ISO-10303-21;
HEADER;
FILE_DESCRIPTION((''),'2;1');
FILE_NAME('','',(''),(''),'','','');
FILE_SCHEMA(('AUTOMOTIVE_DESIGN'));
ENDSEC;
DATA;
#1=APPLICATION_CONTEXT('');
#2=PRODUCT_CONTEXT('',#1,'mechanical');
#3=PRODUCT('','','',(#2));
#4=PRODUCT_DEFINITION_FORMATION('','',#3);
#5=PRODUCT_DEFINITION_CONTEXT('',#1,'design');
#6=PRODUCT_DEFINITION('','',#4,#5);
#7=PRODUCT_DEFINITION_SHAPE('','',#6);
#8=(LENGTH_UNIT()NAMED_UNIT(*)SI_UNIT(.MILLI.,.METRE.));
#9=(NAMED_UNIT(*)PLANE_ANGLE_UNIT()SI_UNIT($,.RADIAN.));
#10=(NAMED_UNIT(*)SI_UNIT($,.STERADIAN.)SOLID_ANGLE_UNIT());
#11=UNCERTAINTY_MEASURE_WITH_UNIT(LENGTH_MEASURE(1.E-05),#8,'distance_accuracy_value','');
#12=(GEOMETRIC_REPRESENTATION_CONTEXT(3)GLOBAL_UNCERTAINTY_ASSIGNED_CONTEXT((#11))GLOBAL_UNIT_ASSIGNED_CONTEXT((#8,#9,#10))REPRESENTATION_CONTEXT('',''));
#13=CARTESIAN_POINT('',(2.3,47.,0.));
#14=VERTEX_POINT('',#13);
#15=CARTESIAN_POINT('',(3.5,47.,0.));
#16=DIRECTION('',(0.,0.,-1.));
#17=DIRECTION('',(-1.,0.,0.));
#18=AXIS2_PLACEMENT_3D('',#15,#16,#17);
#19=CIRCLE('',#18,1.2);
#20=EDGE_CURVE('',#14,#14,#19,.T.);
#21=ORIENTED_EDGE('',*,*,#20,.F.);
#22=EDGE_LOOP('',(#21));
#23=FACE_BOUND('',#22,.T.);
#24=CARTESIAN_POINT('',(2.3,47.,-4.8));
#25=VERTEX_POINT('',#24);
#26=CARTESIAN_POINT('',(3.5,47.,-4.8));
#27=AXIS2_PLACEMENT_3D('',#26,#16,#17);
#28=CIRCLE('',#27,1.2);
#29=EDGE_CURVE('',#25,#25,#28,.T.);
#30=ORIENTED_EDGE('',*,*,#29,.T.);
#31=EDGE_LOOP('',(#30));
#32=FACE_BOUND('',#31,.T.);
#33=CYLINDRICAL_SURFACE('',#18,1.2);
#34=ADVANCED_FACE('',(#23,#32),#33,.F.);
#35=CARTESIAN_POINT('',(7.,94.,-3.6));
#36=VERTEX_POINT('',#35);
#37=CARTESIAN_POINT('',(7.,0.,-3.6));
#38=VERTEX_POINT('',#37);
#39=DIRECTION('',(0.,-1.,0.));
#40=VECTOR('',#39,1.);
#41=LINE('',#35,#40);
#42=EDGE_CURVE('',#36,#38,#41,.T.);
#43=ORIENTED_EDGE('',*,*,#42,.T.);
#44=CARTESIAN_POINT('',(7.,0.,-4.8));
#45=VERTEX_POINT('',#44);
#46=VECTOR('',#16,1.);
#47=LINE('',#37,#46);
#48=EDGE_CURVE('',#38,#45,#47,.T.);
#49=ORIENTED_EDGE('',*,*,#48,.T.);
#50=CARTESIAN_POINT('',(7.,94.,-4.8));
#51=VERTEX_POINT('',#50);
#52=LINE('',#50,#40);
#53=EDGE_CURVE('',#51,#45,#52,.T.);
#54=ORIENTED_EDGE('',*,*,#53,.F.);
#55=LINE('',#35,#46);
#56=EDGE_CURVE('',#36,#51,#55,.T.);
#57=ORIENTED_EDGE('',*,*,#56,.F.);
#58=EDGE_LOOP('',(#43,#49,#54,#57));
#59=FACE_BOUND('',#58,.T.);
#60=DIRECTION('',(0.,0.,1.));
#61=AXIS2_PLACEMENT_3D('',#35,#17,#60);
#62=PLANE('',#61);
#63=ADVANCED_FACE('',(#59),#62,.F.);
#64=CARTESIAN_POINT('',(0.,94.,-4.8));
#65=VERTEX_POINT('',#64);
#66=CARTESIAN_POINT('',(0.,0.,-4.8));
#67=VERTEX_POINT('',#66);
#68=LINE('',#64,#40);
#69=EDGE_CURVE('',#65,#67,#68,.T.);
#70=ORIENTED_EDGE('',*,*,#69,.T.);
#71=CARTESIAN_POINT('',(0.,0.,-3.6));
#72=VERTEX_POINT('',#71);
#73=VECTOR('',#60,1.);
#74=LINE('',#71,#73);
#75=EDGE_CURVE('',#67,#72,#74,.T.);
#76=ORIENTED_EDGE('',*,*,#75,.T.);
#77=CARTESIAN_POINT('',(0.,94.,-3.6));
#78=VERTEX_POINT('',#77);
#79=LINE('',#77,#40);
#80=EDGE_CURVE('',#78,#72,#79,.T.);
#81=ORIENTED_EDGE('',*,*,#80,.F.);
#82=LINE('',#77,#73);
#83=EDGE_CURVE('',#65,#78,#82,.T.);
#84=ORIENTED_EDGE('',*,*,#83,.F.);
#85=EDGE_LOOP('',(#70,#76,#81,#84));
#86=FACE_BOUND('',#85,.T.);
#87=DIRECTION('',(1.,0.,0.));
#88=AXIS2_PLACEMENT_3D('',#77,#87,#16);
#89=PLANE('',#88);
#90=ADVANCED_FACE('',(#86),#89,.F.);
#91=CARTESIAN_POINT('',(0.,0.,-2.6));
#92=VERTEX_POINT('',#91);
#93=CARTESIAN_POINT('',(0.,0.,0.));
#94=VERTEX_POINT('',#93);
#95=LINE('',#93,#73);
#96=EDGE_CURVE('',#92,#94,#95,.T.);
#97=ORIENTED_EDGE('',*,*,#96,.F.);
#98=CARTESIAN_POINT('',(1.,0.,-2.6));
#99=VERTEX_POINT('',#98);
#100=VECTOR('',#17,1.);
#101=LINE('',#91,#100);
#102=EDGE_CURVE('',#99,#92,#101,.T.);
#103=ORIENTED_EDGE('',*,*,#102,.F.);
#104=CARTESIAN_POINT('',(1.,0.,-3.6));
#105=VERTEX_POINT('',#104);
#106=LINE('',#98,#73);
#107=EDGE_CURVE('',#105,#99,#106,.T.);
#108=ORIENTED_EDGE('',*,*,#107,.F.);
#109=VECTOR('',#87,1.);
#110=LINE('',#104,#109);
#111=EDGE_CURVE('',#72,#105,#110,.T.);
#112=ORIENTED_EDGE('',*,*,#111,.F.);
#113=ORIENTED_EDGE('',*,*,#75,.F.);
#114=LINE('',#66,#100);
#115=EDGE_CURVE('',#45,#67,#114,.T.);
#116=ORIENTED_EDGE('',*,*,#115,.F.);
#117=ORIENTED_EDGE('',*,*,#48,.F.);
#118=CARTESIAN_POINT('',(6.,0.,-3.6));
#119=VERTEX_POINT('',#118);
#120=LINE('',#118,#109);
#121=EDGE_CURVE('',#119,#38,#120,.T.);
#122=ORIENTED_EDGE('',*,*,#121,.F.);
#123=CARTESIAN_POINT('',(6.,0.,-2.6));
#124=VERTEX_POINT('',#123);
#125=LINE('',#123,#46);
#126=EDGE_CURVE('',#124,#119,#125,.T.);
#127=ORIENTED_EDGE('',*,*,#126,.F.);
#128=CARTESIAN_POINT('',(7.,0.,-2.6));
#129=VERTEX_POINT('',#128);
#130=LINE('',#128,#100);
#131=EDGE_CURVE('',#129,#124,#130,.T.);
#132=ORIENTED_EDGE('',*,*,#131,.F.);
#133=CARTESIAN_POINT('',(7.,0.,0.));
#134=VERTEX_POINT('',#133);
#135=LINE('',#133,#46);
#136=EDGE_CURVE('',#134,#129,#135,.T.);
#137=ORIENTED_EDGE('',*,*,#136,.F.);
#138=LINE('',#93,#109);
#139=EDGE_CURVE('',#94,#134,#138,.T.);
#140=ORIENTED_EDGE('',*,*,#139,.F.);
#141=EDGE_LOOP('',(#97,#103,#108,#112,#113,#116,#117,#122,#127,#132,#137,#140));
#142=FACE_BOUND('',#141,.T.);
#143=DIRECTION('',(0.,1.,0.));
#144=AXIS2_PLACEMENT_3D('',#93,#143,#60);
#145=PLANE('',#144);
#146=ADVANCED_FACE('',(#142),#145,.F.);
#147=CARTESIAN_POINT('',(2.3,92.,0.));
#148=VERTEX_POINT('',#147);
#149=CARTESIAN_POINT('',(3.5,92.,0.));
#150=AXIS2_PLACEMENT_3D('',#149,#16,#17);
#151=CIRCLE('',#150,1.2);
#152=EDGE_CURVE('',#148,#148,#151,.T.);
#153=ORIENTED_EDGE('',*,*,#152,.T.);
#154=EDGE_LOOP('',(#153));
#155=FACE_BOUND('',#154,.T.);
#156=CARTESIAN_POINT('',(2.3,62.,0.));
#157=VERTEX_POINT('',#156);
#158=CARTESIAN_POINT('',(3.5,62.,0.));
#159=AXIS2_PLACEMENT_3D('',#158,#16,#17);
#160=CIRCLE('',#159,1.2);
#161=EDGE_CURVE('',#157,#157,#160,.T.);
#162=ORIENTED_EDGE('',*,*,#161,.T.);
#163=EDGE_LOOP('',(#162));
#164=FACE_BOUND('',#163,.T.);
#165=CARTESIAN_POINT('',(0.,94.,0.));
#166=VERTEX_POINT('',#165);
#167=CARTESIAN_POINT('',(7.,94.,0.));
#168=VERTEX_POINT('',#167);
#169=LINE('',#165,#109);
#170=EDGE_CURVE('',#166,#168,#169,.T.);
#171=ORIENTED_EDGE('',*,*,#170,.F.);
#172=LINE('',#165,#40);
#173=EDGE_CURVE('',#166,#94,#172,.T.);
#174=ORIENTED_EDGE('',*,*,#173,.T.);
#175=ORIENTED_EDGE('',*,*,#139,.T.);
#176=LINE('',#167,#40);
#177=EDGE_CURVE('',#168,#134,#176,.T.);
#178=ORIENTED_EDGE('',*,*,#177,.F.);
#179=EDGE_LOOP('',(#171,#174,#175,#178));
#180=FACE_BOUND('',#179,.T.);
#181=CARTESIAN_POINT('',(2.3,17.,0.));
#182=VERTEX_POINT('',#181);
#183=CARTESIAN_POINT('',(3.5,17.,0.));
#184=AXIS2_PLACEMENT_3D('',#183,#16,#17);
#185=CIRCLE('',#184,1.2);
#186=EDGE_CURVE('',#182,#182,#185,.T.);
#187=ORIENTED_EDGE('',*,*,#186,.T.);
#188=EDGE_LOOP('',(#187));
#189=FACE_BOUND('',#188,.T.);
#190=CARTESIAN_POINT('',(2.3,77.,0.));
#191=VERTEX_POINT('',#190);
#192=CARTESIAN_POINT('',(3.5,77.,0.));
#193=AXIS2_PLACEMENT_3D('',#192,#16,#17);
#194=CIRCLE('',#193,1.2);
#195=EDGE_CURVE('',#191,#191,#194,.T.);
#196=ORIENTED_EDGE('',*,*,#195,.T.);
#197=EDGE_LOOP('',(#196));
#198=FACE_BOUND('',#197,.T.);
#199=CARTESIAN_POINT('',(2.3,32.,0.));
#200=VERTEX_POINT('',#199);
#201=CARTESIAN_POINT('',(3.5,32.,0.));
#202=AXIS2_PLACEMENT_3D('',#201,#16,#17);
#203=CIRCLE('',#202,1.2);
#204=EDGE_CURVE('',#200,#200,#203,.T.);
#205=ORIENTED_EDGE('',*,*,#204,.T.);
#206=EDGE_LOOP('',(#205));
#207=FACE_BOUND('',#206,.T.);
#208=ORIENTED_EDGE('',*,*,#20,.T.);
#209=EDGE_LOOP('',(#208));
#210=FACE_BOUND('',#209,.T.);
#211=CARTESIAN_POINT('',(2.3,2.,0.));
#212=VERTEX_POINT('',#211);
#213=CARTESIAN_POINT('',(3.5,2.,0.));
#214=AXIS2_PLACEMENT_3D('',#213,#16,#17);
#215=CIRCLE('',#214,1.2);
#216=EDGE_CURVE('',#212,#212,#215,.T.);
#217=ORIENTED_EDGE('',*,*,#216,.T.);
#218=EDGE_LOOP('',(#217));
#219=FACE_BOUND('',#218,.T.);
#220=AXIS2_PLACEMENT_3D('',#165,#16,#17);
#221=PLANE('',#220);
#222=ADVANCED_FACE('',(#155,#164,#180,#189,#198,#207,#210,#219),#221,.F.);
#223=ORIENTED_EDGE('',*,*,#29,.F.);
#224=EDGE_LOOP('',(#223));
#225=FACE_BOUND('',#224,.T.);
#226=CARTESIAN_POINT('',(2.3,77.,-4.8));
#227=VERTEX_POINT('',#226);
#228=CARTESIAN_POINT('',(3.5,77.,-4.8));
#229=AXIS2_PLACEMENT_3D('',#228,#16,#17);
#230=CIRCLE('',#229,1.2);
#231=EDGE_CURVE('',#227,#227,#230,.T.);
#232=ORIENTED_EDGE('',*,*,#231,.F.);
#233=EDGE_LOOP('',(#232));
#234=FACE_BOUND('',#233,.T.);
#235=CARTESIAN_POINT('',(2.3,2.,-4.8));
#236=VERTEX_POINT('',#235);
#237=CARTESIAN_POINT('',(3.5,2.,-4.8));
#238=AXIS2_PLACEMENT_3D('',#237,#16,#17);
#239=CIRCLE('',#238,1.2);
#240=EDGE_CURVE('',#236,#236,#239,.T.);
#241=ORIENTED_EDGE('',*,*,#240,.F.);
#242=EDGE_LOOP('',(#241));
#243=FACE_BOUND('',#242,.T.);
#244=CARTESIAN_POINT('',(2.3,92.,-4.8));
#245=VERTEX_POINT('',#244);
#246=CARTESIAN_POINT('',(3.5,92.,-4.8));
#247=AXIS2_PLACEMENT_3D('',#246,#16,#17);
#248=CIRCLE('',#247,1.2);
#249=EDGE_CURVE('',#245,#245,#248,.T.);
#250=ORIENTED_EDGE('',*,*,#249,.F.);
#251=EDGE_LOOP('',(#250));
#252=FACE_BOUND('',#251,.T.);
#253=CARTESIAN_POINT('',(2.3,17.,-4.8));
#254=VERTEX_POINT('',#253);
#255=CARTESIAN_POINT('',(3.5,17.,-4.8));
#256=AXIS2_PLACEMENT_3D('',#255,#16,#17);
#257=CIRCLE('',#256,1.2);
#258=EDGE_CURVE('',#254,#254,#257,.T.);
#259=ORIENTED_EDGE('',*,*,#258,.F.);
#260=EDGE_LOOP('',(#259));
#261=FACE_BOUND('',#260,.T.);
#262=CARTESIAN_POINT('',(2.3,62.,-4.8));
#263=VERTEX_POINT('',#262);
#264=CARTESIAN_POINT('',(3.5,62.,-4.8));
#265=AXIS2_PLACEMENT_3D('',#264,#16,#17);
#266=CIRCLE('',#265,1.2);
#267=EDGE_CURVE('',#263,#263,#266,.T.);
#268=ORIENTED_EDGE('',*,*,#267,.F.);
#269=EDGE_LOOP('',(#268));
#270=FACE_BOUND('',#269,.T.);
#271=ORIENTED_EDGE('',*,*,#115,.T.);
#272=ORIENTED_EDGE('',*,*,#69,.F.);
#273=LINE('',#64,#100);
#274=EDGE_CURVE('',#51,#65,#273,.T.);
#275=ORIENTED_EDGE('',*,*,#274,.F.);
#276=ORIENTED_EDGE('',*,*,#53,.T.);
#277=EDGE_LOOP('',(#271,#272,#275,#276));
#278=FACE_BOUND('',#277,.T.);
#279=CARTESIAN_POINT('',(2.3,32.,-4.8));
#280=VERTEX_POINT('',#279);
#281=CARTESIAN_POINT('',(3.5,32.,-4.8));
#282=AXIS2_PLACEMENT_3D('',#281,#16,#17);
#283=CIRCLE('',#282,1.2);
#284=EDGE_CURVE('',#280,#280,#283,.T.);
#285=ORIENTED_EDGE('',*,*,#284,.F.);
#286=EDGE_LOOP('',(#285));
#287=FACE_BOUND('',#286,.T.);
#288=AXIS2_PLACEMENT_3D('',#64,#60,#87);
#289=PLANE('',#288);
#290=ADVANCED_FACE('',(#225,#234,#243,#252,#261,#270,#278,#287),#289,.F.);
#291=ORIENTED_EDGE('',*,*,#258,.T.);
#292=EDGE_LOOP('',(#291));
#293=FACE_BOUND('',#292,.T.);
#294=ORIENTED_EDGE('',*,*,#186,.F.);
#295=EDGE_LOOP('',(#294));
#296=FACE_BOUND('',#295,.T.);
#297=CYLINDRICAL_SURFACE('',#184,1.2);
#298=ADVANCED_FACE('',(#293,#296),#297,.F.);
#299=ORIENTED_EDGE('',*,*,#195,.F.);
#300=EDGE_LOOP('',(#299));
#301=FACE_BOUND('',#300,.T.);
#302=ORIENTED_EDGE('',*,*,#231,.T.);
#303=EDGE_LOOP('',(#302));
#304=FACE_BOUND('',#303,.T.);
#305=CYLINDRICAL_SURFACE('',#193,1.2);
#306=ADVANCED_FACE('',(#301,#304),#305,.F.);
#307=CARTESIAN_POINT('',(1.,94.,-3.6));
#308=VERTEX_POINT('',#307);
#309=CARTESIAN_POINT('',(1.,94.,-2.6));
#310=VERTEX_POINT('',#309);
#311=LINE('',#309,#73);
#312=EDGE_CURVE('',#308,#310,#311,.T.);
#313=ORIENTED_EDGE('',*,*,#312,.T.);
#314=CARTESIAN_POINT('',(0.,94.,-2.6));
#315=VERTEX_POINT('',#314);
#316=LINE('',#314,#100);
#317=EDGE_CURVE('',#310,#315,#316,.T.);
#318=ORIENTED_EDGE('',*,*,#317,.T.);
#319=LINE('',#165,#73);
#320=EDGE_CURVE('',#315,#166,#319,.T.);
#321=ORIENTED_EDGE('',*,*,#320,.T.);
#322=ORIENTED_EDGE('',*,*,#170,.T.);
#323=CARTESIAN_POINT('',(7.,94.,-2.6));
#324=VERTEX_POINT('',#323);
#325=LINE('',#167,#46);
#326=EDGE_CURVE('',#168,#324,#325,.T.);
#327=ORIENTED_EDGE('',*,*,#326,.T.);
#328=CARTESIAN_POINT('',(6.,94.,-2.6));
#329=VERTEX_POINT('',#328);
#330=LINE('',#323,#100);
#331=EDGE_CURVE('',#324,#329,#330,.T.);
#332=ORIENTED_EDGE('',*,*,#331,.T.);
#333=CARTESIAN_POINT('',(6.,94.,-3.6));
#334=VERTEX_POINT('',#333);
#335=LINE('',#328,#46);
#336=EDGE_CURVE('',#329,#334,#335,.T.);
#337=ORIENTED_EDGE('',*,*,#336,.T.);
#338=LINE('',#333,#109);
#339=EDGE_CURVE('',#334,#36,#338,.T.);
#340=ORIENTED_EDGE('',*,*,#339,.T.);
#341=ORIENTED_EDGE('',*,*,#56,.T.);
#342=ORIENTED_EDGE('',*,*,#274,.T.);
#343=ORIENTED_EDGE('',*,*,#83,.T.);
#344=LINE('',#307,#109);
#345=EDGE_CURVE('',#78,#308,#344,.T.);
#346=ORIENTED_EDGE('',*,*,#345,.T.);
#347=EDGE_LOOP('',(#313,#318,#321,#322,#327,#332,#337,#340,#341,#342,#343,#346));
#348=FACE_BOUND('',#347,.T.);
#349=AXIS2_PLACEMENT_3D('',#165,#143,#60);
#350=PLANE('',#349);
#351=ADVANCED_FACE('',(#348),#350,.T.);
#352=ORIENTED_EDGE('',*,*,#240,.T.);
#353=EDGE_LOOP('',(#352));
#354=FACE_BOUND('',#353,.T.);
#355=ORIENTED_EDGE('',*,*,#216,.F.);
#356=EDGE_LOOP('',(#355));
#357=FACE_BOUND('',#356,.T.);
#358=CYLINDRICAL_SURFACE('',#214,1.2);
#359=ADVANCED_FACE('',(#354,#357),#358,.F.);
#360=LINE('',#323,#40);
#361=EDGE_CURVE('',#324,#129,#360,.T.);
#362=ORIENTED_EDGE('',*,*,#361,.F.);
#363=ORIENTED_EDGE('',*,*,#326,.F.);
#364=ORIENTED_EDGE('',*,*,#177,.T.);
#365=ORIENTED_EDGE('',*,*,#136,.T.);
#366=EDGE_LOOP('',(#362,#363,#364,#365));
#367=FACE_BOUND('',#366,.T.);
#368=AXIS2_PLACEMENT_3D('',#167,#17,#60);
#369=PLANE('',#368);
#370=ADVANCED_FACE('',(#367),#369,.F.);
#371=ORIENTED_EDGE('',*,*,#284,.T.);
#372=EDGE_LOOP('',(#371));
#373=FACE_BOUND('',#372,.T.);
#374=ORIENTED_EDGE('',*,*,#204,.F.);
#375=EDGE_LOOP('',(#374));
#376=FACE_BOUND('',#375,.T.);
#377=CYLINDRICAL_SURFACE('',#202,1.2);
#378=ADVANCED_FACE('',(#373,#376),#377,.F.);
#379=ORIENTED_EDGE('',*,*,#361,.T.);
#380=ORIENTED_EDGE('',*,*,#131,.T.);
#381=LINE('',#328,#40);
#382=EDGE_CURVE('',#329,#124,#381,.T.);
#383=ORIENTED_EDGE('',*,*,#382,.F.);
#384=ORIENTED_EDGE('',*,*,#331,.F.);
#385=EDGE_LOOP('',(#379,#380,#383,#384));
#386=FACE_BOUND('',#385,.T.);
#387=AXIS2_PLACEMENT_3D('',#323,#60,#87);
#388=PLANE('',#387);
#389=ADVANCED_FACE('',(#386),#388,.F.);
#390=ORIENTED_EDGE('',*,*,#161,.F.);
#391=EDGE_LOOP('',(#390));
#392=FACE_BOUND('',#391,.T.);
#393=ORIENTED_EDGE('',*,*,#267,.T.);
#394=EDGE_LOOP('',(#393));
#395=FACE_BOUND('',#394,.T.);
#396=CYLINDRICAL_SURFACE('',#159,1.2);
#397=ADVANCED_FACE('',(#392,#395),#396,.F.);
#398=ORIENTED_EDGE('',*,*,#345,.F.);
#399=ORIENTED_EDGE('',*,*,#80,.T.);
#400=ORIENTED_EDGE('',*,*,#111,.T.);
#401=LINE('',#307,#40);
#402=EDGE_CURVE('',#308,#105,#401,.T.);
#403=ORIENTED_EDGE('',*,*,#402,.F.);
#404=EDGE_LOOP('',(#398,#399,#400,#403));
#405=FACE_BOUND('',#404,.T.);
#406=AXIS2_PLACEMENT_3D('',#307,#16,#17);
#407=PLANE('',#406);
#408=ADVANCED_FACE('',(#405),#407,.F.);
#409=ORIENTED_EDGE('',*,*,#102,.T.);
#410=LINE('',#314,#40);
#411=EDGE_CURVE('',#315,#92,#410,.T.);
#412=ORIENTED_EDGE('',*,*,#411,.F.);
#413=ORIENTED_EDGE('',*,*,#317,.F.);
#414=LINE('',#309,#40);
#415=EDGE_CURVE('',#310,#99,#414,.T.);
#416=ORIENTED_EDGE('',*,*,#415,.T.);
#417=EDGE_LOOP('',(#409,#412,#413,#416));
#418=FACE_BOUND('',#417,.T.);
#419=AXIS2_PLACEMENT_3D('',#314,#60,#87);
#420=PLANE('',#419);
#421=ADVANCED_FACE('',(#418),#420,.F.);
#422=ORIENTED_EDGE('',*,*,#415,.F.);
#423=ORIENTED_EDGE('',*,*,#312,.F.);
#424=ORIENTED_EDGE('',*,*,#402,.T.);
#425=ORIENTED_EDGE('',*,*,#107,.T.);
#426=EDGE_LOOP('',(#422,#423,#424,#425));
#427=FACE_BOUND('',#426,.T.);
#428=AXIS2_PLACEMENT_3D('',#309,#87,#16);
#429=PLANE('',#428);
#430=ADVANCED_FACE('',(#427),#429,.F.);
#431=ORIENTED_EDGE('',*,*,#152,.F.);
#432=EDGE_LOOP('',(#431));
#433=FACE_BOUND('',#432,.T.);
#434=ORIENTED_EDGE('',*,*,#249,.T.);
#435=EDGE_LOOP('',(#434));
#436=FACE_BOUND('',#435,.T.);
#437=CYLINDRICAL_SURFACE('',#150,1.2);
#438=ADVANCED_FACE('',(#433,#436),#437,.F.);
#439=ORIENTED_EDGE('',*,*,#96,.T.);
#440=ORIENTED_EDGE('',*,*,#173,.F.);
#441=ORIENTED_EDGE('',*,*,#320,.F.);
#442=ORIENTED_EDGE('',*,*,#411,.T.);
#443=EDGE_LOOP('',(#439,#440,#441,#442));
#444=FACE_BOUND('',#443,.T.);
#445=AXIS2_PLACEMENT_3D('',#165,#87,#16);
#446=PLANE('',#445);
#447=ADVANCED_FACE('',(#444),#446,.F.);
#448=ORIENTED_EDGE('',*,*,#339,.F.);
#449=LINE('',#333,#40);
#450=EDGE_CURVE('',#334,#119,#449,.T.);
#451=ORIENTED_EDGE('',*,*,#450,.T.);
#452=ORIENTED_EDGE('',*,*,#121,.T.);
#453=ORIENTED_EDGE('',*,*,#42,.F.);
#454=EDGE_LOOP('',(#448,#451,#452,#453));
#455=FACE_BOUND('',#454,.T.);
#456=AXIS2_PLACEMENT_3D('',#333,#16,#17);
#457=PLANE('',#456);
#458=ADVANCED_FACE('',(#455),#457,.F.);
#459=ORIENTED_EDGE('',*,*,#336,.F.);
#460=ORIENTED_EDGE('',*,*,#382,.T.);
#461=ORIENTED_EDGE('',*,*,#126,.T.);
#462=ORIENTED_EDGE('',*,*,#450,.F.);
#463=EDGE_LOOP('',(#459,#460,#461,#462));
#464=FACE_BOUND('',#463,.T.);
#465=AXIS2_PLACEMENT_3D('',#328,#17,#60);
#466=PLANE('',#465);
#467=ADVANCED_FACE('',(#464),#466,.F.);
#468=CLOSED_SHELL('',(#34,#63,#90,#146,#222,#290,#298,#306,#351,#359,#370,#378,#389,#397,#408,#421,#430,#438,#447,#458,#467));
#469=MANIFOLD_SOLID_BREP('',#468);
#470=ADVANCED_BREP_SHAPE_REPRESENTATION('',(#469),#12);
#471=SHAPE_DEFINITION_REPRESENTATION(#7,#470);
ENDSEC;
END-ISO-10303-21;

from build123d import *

# Parameters (mm, degrees)
EXTRUDE_1_DEPTH     = 94
SKETCH_2_R          = 1.2
CUT_EXTRUDE_1_DEPTH = 95.382413616


with BuildPart() as part:
    # 草图1 → 凸台-拉伸1 (new body)
    with BuildSketch(Plane(origin=(0, 0, 0), x_dir=(1, 0, 0), z_dir=(0, 1, 0))):
        Polygon((0, 0), (0, 2.6), (1, 2.6), (1, 3.6), (0, 3.6), (0, 4.8), (7, 4.8), (7, 3.6), (6, 3.6), (6, 2.6), (7, 2.6), (7, 0), align=None)
    extrude(amount=EXTRUDE_1_DEPTH)

    # 草图2 → 切除-拉伸1 (cut, through all)
    with BuildSketch(Plane(origin=(0, 0, -4.8), x_dir=(-1, 0, 0), z_dir=(0, 0, -1))):
        with Locations((-3.5, 62)):
            Circle(SKETCH_2_R)
        with Locations((-3.5, 77)):
            Circle(SKETCH_2_R)
        with Locations((-3.5, 47)):
            Circle(SKETCH_2_R)
        with Locations((-3.5, 32)):
            Circle(SKETCH_2_R)
        with Locations((-3.5, 17)):
            Circle(SKETCH_2_R)
        with Locations((-3.5, 92)):
            Circle(SKETCH_2_R)
        with Locations((-3.5, 2)):
            Circle(SKETCH_2_R)
    extrude(amount=-CUT_EXTRUDE_1_DEPTH, mode=Mode.SUBTRACT)


solid = part.part
